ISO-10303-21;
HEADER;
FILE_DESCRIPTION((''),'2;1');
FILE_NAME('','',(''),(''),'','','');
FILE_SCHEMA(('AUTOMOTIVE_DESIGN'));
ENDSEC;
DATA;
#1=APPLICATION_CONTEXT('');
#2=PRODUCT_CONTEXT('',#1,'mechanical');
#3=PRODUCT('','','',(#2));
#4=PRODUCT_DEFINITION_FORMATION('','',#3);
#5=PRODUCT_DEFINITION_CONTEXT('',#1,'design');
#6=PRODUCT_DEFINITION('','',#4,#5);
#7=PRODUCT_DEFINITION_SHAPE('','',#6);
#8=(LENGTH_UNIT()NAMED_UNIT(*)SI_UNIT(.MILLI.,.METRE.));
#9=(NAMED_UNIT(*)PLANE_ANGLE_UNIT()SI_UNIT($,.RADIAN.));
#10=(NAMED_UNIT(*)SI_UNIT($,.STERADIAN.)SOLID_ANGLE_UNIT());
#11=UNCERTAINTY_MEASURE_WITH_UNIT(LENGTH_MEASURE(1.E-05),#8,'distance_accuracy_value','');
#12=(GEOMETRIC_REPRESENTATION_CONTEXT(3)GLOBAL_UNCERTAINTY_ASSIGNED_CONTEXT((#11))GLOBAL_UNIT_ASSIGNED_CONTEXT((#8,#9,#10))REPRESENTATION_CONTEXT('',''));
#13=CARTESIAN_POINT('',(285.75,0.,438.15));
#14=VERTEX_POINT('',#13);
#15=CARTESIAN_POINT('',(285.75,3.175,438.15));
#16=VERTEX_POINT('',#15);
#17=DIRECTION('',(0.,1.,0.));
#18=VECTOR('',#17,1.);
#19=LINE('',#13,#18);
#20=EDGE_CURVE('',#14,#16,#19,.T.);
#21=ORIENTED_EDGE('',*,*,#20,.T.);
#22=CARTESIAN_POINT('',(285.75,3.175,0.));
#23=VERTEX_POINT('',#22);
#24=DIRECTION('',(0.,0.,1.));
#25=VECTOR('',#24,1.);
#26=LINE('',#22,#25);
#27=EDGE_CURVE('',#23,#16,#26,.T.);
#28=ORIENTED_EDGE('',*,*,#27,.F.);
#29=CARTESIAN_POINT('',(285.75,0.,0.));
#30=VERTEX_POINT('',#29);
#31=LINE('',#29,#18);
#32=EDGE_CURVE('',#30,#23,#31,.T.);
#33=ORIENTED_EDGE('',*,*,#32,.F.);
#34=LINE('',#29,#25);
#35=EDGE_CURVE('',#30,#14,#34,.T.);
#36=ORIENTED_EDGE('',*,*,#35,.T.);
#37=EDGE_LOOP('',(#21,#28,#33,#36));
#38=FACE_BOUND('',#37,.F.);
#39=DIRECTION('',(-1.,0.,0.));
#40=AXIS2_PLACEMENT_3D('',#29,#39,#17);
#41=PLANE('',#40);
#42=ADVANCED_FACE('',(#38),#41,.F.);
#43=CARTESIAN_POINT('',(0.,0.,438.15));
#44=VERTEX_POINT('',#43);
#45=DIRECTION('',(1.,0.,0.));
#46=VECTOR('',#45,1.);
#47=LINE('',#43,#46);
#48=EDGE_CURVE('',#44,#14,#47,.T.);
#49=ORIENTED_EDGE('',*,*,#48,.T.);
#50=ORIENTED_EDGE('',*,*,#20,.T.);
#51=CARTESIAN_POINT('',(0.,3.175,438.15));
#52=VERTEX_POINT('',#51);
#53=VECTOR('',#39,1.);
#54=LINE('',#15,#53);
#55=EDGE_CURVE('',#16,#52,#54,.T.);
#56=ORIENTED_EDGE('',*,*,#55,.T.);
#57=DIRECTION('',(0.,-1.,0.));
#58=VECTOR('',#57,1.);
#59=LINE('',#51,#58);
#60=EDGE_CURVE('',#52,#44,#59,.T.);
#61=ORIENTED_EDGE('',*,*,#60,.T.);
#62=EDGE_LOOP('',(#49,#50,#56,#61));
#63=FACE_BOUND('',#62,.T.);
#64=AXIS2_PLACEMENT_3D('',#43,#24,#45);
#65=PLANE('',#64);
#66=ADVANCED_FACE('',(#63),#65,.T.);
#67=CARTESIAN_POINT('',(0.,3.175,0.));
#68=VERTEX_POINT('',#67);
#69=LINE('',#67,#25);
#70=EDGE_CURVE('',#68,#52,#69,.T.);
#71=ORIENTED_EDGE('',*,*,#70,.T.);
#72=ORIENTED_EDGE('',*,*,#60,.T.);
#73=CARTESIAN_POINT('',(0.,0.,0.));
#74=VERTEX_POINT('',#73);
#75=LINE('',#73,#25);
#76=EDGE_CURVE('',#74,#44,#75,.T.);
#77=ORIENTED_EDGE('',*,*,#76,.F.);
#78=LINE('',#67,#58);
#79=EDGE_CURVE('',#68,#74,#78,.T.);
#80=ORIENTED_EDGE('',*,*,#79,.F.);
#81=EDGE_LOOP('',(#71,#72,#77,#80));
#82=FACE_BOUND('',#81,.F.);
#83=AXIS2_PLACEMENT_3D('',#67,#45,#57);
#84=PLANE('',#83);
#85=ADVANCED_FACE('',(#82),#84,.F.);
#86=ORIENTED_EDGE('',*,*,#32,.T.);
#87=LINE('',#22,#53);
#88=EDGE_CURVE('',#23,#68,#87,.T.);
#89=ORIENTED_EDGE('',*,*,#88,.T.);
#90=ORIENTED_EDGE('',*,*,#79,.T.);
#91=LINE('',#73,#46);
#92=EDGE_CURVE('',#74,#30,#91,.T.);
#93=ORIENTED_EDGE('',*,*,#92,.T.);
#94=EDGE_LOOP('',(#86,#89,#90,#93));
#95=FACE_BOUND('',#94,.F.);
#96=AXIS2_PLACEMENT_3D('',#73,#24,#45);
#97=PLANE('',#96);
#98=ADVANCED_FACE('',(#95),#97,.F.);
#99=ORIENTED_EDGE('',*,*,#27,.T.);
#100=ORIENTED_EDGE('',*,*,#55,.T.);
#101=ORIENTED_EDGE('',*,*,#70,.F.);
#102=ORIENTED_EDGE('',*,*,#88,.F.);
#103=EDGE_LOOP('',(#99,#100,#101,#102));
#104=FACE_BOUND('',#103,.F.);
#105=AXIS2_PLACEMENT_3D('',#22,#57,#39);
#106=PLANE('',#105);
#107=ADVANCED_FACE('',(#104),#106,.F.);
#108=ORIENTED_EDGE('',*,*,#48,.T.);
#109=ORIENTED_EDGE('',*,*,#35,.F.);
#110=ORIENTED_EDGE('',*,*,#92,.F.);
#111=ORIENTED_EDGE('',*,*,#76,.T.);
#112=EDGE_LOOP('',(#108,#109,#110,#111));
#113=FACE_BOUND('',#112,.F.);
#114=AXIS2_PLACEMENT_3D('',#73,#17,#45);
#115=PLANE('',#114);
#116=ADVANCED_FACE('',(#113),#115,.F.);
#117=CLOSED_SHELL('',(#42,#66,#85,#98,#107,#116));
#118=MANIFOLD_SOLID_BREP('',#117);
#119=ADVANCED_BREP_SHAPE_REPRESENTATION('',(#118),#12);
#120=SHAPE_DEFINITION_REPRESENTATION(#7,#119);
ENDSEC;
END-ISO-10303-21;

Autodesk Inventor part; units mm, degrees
ref_plane "YZ Plane" through (0, 0, 0) normal (1, 0, 0) x (0, 1, 0)
ref_plane "XZ Plane" through (0, 0, 0) normal (0, 1, 0) x (-1, 0, 0)
ref_plane "XY Plane" through (0, 0, 0) normal (0, 0, 1) x (1, 0, 0)
sketch "Sketch1" plane through (0, 0, 0) normal (0, 0, 1) x (1, 0, 0)
  line L0 (0, 0) -> (285.75, 0)
  line L1 (285.75, 0) -> (285.75, 3.175)
  line L2 (285.75, 3.175) -> (0, 3.175)
  line L3 (0, 3.175) -> (0, 0)
  dimension "d0" = 3.175
  dimension "d1" = 285.75
extrude "Extrusion1" add sketch "Sketch1" along normal blind 438.15
properties part number "polycarb uptake bottom"
